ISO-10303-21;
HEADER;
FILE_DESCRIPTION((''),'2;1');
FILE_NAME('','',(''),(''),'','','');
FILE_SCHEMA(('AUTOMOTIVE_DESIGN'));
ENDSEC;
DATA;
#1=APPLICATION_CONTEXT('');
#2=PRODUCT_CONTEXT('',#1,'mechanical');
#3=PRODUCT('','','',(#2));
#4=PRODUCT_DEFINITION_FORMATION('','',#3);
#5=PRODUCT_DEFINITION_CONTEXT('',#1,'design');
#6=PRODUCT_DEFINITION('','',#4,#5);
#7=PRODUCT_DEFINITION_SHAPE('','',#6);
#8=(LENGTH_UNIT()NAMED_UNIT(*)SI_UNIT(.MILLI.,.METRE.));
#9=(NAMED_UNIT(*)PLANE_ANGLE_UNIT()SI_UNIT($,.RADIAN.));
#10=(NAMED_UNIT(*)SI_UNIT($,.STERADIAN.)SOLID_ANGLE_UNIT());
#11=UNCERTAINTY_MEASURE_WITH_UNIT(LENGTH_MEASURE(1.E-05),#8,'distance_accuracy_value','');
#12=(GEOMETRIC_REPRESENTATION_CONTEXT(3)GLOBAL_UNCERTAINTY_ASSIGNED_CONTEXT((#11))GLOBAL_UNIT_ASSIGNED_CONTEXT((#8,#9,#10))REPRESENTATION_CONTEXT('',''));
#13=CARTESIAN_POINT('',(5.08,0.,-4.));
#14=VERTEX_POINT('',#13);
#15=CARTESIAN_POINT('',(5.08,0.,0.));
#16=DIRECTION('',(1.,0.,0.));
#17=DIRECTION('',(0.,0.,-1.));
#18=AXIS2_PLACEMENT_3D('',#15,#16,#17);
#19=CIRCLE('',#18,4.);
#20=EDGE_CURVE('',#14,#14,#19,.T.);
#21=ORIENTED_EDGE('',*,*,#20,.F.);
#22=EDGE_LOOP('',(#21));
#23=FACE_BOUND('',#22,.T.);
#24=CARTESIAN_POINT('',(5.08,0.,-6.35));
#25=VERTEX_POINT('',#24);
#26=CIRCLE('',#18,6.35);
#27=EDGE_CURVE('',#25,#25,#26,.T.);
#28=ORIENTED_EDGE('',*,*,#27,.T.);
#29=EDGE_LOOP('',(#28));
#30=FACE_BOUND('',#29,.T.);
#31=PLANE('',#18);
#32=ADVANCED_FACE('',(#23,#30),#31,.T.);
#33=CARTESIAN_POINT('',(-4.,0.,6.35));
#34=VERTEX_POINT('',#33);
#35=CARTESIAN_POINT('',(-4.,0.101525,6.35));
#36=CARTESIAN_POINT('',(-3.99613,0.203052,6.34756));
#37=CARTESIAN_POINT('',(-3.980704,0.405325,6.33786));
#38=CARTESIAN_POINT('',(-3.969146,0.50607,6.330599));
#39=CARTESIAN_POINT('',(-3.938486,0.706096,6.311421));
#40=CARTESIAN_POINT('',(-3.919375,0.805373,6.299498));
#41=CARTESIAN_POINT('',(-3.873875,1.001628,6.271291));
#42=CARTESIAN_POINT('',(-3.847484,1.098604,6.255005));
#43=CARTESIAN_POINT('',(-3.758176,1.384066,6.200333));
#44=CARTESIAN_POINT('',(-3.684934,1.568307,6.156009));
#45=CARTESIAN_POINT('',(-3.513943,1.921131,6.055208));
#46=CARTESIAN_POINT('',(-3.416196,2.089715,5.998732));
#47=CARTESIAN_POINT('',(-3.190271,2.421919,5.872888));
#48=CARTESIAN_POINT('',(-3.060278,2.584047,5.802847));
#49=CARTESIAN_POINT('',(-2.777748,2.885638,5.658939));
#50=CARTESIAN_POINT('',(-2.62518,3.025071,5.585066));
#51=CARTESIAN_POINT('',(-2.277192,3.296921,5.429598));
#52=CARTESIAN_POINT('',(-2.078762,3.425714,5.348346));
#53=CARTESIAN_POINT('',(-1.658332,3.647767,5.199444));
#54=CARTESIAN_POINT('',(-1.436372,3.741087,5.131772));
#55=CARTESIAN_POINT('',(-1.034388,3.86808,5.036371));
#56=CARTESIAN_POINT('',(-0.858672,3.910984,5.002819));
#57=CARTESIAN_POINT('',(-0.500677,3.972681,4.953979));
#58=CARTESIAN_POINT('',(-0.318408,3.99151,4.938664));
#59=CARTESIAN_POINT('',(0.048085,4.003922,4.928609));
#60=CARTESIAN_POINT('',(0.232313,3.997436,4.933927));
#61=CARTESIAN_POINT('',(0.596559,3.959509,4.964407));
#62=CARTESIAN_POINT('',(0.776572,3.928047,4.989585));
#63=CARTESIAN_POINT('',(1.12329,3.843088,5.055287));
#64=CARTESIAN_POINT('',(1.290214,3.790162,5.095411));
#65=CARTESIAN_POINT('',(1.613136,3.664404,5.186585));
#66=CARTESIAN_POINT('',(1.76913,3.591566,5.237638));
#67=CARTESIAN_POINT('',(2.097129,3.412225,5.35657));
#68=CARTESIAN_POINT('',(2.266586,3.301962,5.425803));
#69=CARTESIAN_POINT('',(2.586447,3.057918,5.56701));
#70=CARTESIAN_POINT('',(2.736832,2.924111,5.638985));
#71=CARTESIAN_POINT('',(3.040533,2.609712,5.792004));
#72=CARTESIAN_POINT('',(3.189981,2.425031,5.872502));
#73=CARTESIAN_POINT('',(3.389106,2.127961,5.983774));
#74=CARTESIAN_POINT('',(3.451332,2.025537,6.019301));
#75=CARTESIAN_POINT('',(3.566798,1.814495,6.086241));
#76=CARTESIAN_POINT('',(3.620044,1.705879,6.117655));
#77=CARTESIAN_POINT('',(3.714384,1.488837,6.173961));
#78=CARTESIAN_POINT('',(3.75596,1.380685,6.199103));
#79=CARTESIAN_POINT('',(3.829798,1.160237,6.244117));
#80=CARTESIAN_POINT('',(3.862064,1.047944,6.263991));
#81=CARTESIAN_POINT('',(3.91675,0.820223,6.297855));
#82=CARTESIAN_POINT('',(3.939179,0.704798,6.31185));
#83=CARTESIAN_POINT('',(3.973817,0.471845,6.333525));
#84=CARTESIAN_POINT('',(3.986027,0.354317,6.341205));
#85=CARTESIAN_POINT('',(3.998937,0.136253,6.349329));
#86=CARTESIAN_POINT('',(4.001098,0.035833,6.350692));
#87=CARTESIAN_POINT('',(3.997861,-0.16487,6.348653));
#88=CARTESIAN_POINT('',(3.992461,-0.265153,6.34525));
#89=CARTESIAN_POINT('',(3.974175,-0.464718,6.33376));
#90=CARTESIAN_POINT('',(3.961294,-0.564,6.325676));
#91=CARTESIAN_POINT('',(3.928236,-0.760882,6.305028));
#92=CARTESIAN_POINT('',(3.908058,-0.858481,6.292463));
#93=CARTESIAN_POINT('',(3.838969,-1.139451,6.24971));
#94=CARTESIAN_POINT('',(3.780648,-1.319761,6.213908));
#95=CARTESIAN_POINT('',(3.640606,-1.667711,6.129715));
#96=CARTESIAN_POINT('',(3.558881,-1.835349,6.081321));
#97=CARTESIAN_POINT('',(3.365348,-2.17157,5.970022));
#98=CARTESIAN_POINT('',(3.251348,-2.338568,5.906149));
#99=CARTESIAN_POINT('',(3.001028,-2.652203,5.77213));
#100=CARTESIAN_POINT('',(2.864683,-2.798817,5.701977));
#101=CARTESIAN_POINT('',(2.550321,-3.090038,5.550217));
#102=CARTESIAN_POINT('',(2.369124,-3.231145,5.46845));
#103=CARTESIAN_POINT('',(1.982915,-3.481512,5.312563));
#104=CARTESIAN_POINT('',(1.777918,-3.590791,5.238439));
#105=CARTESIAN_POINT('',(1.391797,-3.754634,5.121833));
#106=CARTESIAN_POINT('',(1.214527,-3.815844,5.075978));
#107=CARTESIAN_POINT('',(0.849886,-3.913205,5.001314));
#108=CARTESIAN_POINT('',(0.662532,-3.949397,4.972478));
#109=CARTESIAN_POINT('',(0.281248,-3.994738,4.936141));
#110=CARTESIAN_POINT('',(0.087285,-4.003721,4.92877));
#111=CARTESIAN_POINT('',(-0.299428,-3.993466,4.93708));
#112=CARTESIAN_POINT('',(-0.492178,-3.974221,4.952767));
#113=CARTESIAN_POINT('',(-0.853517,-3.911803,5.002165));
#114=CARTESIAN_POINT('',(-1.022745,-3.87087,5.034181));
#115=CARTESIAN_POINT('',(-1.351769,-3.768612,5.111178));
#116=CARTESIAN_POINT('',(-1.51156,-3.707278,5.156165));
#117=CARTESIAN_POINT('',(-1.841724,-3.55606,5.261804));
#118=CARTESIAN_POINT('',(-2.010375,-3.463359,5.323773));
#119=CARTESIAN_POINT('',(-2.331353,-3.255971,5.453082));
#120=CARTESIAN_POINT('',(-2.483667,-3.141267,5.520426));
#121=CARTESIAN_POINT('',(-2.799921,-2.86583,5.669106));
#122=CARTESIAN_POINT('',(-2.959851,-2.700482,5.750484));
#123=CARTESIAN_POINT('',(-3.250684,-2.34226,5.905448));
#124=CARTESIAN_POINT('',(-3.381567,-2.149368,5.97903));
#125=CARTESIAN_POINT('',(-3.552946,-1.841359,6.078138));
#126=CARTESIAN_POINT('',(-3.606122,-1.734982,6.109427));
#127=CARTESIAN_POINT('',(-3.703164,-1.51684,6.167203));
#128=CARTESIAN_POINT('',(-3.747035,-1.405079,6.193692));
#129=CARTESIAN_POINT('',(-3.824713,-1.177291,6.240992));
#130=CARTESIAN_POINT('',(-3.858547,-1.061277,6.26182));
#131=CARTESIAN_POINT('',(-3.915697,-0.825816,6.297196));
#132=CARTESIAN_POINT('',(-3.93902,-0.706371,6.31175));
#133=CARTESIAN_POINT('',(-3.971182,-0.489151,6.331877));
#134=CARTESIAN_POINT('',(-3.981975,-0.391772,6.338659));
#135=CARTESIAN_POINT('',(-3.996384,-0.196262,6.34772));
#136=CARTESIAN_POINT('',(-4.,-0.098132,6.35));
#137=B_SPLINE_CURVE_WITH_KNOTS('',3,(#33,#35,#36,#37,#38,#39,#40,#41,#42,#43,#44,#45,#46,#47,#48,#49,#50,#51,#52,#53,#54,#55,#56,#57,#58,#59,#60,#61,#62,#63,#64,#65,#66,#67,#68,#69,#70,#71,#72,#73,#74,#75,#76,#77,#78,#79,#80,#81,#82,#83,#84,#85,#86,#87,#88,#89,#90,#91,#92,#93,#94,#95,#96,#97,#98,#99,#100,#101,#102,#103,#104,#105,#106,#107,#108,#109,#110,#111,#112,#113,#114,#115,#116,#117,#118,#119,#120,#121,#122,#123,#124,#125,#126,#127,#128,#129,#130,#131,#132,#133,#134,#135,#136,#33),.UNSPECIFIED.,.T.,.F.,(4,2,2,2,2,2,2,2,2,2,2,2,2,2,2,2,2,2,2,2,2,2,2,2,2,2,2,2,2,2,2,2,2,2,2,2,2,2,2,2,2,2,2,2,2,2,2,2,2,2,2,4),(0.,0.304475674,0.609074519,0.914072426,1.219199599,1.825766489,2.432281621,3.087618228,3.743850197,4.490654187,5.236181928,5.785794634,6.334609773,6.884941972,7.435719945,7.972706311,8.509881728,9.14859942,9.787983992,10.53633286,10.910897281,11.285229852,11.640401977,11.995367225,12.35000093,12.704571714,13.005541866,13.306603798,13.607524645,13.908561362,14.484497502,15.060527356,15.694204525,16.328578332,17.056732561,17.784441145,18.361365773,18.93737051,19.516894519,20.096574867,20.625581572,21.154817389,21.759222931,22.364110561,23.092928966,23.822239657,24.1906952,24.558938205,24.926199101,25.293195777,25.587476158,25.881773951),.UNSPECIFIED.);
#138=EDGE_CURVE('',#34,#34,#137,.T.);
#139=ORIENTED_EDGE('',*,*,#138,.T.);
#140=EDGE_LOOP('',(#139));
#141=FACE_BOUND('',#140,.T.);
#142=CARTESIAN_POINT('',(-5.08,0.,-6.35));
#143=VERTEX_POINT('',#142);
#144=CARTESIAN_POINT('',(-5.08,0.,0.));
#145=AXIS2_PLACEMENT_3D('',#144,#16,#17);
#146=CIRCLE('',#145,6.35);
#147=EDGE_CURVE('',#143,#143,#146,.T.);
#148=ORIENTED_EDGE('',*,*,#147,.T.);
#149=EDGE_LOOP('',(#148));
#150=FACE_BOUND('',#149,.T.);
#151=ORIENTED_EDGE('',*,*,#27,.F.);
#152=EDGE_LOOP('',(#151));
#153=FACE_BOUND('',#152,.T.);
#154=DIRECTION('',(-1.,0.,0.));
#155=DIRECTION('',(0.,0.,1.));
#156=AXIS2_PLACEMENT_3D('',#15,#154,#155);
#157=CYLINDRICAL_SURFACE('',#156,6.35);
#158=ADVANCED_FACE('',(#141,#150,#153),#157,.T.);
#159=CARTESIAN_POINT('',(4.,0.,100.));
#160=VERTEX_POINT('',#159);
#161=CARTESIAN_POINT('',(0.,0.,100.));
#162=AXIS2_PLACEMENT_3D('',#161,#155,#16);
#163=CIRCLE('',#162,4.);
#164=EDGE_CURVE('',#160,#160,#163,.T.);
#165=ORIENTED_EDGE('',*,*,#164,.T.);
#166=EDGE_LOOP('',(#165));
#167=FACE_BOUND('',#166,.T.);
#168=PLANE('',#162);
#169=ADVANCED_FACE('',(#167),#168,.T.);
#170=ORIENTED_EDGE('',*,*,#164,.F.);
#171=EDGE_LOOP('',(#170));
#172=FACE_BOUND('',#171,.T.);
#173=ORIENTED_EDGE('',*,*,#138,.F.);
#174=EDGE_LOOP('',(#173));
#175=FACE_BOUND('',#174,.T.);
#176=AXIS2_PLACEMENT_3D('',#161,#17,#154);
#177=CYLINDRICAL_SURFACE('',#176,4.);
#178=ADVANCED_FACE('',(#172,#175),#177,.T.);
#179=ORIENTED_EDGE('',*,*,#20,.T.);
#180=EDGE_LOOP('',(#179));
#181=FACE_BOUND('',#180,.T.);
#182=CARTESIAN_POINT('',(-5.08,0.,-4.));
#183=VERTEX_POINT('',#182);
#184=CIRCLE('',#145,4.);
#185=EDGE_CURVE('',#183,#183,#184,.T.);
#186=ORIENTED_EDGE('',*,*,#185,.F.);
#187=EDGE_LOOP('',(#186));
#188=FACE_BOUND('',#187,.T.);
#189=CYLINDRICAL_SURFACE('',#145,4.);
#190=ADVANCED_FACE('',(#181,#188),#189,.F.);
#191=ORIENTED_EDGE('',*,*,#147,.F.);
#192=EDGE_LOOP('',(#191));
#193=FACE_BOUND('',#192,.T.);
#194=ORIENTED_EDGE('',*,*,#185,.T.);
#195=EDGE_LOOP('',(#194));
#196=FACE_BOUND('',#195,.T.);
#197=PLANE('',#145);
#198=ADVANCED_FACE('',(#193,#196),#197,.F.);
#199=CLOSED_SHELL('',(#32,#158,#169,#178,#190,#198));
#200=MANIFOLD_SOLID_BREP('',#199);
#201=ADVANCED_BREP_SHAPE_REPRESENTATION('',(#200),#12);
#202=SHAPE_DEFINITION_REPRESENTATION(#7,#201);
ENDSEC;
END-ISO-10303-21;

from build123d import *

# Parameters (mm, degrees)
SKETCH2_R           = 4
BOSS_EXTRUDE1_DEPTH = 100
SKETCH1_R           = 6.35
BOSS_EXTRUDE2_DEPTH = 5.08
SKETCH1_3_R         = 4
CUT_EXTRUDE1_DEPTH  = 5.08


with BuildPart() as part:
    # Sketch2 → Boss-Extrude1 (new body)
    with BuildSketch(Plane(origin=(0, 0, 0), x_dir=(0, 1, 0), z_dir=(0, 0, 1))):
        Circle(SKETCH2_R)
    extrude(amount=BOSS_EXTRUDE1_DEPTH)

    # Sketch1 → Boss-Extrude2 (add, symmetric)
    with BuildSketch(Plane.YZ):
        Circle(SKETCH1_R)
    extrude(amount=BOSS_EXTRUDE2_DEPTH, both=True)

    # Sketch1<3> → Cut-Extrude1 (cut, symmetric)
    with BuildSketch(Plane.YZ):
        Circle(SKETCH1_3_R)
    extrude(amount=CUT_EXTRUDE1_DEPTH, both=True, mode=Mode.SUBTRACT)


solid = part.part
